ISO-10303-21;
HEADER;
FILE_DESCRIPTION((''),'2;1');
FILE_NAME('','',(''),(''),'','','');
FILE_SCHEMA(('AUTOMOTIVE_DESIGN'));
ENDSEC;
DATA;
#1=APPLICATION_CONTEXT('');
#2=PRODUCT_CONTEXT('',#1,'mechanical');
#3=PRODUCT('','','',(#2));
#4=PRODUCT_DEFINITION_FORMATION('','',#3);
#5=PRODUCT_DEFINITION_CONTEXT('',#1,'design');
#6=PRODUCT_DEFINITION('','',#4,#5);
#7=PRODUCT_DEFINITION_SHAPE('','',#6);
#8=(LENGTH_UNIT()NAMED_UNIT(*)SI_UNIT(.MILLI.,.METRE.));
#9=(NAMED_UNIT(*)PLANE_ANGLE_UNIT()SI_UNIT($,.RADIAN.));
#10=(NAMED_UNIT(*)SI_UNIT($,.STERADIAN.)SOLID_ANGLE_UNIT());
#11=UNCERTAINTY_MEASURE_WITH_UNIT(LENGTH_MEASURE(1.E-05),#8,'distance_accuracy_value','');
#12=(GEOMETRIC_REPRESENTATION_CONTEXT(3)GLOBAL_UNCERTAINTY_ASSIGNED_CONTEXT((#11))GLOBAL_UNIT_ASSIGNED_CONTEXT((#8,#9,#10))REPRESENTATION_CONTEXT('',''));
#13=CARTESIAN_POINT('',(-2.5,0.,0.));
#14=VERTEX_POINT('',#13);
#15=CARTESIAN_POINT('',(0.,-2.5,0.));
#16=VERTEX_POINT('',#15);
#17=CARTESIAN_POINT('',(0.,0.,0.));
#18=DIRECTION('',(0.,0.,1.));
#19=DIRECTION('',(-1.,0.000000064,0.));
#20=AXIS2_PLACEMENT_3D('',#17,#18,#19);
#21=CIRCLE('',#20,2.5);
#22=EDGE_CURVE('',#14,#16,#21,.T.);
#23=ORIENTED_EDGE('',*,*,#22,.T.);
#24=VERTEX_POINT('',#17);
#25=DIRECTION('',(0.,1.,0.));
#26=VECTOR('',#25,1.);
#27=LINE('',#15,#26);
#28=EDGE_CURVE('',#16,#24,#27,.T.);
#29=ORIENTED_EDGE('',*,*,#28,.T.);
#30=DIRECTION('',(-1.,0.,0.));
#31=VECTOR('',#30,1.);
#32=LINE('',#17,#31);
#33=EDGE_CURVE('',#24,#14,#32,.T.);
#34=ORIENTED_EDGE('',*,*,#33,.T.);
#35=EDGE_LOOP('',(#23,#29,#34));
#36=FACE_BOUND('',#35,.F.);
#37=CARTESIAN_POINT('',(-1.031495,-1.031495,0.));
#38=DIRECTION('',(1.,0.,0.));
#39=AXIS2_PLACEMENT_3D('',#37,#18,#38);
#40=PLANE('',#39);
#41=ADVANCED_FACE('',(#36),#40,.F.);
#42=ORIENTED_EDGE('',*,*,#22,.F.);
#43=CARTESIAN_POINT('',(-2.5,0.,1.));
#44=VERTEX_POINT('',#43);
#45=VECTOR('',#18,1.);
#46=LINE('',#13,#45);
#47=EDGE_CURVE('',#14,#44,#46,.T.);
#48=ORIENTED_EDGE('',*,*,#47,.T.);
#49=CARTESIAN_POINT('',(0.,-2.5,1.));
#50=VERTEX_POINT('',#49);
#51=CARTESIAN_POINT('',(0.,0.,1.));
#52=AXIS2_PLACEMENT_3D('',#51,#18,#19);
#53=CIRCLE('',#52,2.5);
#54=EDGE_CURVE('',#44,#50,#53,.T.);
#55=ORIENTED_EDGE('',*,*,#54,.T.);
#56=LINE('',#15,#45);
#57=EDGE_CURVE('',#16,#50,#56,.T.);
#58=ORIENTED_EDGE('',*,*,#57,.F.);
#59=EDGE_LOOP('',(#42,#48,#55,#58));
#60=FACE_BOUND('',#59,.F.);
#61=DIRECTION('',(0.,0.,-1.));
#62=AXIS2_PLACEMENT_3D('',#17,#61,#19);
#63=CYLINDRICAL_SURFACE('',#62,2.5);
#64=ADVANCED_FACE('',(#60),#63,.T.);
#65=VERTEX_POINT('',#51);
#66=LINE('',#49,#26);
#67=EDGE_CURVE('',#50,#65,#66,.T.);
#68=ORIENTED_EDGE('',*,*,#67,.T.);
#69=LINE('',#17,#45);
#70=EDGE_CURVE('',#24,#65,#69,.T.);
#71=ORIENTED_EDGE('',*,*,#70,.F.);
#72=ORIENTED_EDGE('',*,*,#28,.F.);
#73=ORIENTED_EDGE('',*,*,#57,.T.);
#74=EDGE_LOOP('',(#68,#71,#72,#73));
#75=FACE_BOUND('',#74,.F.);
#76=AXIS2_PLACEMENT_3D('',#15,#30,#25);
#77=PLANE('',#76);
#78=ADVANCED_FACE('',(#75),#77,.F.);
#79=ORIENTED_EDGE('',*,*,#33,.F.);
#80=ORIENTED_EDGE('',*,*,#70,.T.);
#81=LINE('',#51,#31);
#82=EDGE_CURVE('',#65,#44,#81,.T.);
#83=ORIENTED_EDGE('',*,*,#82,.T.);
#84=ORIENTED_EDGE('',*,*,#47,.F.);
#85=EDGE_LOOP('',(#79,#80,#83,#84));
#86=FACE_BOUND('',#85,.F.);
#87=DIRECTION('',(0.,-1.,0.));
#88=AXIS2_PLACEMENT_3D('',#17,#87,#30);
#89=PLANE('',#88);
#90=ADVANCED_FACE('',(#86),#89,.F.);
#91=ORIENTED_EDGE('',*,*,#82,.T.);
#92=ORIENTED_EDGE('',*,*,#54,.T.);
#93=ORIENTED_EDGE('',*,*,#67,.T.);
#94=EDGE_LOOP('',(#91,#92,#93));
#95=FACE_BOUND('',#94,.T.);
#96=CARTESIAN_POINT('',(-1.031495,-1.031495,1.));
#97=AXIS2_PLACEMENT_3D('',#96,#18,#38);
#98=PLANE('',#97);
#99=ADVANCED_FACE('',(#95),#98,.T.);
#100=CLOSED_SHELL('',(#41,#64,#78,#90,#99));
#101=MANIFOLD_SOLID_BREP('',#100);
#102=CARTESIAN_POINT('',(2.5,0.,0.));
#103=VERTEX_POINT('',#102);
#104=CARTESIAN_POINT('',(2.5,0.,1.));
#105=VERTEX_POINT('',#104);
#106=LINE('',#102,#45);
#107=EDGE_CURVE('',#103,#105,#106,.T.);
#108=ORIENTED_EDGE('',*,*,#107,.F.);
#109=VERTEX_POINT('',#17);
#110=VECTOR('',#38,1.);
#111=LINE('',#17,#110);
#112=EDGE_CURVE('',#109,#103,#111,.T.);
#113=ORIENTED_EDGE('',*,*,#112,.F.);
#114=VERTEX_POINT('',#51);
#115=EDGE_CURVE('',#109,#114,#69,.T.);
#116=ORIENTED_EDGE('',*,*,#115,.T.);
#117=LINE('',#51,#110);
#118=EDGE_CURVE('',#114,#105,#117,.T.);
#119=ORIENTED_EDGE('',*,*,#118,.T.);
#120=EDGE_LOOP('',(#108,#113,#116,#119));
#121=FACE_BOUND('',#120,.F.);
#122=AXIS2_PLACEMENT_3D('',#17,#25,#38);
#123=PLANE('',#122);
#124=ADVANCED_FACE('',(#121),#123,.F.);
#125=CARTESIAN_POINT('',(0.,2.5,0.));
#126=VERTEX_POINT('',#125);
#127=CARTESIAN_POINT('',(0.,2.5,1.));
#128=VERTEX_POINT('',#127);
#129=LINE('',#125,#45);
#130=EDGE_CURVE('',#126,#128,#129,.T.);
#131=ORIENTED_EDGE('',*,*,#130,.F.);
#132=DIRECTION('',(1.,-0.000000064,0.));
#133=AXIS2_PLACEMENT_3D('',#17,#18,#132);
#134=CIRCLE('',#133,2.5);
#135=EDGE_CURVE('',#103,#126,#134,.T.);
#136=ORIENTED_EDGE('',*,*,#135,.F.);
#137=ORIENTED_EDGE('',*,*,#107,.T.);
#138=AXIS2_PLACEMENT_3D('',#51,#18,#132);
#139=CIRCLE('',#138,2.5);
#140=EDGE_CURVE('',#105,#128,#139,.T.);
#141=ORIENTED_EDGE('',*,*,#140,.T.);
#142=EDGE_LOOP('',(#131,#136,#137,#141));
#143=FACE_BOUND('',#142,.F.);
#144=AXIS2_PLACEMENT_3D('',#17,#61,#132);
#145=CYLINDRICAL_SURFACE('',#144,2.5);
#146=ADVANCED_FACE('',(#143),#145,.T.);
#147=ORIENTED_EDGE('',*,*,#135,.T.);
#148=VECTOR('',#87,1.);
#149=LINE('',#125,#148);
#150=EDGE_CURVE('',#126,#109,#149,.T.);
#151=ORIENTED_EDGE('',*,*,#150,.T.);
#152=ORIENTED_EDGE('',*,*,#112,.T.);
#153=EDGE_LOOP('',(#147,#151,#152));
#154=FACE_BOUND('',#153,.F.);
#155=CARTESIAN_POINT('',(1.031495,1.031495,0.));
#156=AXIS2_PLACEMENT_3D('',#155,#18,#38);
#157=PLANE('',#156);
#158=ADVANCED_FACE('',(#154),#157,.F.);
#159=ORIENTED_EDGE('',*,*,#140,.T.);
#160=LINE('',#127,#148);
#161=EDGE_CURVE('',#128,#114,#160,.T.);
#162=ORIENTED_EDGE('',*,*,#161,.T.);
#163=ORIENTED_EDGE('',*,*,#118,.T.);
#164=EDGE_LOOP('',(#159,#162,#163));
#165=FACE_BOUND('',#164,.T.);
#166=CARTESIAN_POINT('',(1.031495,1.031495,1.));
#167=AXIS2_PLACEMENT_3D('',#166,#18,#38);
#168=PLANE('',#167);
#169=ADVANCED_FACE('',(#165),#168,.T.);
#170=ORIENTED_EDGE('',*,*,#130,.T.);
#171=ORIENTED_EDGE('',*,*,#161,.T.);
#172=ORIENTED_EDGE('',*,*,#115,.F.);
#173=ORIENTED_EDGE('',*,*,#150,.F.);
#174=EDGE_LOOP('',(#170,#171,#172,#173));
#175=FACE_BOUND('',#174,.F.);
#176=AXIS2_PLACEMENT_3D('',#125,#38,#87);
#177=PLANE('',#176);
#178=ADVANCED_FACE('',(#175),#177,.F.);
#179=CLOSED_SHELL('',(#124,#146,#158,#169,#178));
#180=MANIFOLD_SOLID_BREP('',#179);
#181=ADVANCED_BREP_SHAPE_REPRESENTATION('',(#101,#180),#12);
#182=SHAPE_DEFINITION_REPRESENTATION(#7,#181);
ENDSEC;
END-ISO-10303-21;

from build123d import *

# Parameters (mm, degrees)
F1_DEPTH = 1


with BuildPart() as f1:
    # F0 (on Top) → F1 (new body)
    with BuildSketch(Plane.XY):
        with BuildLine():
            Line((0, 0), (-2.5, 0))
            ThreePointArc((-2.5, 0), (-1.767767, -1.767767), (0, -2.5))
            Line((0, -2.5), (0, 0))
        make_face()
        with BuildLine():
            Line((0, 2.5), (0, 0))
            Line((0, 0), (2.5, 0))
            ThreePointArc((2.5, 0), (1.767767, 1.767767), (0, 2.5))
        make_face()
    extrude(amount=F1_DEPTH)


solid = f1.part
